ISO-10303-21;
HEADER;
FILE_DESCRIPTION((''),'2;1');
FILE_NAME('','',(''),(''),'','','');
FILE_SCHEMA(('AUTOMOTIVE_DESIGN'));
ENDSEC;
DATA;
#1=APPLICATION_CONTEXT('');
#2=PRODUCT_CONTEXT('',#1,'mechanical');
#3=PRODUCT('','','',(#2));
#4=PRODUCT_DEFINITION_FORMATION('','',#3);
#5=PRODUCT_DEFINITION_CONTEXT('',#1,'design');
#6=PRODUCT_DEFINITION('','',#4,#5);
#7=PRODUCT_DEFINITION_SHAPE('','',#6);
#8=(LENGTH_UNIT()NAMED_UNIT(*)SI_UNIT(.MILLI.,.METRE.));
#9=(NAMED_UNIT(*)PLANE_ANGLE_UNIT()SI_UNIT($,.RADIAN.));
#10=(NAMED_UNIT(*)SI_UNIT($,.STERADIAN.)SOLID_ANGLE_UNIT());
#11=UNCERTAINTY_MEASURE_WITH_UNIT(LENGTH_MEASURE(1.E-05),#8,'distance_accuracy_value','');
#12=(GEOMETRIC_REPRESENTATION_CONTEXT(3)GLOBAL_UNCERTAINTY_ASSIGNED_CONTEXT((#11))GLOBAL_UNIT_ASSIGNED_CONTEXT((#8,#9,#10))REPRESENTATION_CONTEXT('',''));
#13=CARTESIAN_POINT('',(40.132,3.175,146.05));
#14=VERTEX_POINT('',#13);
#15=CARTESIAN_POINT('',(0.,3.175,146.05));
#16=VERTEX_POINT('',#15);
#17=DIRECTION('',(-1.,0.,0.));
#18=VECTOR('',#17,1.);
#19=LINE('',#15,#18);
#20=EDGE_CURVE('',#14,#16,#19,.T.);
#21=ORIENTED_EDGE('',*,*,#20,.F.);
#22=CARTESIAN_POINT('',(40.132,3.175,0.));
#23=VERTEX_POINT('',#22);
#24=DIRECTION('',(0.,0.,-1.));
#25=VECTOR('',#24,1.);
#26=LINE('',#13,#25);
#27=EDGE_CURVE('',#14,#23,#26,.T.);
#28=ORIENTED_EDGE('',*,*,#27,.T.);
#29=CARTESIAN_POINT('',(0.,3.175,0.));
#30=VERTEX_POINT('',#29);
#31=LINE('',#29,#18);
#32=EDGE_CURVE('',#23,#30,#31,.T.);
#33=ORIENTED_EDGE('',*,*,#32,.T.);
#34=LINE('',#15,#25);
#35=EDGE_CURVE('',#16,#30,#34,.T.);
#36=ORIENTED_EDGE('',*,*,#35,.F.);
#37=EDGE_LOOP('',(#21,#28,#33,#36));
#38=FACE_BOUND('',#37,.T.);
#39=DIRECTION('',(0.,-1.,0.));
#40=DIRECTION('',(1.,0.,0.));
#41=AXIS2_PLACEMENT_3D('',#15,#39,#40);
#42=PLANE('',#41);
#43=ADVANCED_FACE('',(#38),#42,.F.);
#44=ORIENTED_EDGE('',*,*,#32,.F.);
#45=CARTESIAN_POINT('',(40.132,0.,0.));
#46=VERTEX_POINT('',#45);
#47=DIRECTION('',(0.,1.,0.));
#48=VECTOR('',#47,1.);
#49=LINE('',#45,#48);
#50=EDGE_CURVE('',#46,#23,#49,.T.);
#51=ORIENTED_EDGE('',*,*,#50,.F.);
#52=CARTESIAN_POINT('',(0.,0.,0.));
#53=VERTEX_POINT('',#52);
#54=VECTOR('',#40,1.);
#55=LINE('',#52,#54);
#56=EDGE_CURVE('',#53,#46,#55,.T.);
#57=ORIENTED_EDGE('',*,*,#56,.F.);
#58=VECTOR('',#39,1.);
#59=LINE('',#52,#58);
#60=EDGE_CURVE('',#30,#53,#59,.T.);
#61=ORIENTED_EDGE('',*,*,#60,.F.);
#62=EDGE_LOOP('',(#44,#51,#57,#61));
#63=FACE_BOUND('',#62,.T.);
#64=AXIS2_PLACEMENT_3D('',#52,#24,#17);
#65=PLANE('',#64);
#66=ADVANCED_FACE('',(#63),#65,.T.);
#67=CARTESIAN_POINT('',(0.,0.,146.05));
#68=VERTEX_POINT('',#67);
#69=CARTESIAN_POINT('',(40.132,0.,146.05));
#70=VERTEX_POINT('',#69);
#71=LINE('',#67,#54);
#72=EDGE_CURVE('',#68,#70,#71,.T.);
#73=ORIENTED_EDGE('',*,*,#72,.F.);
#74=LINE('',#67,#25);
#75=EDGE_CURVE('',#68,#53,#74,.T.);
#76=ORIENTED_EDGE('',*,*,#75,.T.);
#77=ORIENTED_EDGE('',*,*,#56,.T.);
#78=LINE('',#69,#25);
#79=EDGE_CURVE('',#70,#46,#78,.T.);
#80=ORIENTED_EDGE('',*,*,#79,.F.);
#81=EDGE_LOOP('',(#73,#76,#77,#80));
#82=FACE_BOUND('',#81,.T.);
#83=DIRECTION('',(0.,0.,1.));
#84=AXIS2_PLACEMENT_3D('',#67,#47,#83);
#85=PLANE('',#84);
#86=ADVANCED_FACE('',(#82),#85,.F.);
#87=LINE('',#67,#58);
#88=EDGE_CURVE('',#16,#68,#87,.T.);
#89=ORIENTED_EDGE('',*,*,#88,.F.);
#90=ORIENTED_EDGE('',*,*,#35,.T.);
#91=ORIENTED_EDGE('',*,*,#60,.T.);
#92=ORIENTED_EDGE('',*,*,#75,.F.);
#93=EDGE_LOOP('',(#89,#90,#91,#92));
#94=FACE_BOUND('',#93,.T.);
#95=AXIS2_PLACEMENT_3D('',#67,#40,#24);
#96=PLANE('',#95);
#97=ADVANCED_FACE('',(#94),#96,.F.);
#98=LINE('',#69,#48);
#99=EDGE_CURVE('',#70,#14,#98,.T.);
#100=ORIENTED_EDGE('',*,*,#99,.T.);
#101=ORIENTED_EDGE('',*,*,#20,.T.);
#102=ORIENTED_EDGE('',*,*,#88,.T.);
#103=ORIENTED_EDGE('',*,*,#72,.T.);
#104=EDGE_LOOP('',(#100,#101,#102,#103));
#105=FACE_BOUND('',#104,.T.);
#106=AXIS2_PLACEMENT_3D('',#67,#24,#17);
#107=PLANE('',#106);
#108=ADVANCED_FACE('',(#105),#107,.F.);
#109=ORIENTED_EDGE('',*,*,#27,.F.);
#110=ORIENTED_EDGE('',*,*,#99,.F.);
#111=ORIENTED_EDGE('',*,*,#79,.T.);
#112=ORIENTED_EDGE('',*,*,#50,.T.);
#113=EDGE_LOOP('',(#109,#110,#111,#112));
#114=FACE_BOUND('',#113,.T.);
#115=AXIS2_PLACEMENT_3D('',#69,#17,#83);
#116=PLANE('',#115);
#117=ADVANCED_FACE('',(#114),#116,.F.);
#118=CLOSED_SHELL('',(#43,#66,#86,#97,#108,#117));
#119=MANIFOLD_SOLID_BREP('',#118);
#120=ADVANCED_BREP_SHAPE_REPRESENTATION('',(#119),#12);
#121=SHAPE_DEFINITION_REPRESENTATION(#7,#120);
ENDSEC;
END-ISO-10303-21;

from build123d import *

# Parameters (mm, degrees)
SKETCH1_W           = 40.132
SKETCH1_H           = 3.175
BOSS_EXTRUDE1_DEPTH = 146.05


with BuildPart() as part:
    # Sketch1 → Boss-Extrude1 (new body)
    with BuildSketch(Plane.XY):
        with Locations((20.066, 1.5875)):
            Rectangle(SKETCH1_W, SKETCH1_H)
    extrude(amount=BOSS_EXTRUDE1_DEPTH)


solid = part.part
